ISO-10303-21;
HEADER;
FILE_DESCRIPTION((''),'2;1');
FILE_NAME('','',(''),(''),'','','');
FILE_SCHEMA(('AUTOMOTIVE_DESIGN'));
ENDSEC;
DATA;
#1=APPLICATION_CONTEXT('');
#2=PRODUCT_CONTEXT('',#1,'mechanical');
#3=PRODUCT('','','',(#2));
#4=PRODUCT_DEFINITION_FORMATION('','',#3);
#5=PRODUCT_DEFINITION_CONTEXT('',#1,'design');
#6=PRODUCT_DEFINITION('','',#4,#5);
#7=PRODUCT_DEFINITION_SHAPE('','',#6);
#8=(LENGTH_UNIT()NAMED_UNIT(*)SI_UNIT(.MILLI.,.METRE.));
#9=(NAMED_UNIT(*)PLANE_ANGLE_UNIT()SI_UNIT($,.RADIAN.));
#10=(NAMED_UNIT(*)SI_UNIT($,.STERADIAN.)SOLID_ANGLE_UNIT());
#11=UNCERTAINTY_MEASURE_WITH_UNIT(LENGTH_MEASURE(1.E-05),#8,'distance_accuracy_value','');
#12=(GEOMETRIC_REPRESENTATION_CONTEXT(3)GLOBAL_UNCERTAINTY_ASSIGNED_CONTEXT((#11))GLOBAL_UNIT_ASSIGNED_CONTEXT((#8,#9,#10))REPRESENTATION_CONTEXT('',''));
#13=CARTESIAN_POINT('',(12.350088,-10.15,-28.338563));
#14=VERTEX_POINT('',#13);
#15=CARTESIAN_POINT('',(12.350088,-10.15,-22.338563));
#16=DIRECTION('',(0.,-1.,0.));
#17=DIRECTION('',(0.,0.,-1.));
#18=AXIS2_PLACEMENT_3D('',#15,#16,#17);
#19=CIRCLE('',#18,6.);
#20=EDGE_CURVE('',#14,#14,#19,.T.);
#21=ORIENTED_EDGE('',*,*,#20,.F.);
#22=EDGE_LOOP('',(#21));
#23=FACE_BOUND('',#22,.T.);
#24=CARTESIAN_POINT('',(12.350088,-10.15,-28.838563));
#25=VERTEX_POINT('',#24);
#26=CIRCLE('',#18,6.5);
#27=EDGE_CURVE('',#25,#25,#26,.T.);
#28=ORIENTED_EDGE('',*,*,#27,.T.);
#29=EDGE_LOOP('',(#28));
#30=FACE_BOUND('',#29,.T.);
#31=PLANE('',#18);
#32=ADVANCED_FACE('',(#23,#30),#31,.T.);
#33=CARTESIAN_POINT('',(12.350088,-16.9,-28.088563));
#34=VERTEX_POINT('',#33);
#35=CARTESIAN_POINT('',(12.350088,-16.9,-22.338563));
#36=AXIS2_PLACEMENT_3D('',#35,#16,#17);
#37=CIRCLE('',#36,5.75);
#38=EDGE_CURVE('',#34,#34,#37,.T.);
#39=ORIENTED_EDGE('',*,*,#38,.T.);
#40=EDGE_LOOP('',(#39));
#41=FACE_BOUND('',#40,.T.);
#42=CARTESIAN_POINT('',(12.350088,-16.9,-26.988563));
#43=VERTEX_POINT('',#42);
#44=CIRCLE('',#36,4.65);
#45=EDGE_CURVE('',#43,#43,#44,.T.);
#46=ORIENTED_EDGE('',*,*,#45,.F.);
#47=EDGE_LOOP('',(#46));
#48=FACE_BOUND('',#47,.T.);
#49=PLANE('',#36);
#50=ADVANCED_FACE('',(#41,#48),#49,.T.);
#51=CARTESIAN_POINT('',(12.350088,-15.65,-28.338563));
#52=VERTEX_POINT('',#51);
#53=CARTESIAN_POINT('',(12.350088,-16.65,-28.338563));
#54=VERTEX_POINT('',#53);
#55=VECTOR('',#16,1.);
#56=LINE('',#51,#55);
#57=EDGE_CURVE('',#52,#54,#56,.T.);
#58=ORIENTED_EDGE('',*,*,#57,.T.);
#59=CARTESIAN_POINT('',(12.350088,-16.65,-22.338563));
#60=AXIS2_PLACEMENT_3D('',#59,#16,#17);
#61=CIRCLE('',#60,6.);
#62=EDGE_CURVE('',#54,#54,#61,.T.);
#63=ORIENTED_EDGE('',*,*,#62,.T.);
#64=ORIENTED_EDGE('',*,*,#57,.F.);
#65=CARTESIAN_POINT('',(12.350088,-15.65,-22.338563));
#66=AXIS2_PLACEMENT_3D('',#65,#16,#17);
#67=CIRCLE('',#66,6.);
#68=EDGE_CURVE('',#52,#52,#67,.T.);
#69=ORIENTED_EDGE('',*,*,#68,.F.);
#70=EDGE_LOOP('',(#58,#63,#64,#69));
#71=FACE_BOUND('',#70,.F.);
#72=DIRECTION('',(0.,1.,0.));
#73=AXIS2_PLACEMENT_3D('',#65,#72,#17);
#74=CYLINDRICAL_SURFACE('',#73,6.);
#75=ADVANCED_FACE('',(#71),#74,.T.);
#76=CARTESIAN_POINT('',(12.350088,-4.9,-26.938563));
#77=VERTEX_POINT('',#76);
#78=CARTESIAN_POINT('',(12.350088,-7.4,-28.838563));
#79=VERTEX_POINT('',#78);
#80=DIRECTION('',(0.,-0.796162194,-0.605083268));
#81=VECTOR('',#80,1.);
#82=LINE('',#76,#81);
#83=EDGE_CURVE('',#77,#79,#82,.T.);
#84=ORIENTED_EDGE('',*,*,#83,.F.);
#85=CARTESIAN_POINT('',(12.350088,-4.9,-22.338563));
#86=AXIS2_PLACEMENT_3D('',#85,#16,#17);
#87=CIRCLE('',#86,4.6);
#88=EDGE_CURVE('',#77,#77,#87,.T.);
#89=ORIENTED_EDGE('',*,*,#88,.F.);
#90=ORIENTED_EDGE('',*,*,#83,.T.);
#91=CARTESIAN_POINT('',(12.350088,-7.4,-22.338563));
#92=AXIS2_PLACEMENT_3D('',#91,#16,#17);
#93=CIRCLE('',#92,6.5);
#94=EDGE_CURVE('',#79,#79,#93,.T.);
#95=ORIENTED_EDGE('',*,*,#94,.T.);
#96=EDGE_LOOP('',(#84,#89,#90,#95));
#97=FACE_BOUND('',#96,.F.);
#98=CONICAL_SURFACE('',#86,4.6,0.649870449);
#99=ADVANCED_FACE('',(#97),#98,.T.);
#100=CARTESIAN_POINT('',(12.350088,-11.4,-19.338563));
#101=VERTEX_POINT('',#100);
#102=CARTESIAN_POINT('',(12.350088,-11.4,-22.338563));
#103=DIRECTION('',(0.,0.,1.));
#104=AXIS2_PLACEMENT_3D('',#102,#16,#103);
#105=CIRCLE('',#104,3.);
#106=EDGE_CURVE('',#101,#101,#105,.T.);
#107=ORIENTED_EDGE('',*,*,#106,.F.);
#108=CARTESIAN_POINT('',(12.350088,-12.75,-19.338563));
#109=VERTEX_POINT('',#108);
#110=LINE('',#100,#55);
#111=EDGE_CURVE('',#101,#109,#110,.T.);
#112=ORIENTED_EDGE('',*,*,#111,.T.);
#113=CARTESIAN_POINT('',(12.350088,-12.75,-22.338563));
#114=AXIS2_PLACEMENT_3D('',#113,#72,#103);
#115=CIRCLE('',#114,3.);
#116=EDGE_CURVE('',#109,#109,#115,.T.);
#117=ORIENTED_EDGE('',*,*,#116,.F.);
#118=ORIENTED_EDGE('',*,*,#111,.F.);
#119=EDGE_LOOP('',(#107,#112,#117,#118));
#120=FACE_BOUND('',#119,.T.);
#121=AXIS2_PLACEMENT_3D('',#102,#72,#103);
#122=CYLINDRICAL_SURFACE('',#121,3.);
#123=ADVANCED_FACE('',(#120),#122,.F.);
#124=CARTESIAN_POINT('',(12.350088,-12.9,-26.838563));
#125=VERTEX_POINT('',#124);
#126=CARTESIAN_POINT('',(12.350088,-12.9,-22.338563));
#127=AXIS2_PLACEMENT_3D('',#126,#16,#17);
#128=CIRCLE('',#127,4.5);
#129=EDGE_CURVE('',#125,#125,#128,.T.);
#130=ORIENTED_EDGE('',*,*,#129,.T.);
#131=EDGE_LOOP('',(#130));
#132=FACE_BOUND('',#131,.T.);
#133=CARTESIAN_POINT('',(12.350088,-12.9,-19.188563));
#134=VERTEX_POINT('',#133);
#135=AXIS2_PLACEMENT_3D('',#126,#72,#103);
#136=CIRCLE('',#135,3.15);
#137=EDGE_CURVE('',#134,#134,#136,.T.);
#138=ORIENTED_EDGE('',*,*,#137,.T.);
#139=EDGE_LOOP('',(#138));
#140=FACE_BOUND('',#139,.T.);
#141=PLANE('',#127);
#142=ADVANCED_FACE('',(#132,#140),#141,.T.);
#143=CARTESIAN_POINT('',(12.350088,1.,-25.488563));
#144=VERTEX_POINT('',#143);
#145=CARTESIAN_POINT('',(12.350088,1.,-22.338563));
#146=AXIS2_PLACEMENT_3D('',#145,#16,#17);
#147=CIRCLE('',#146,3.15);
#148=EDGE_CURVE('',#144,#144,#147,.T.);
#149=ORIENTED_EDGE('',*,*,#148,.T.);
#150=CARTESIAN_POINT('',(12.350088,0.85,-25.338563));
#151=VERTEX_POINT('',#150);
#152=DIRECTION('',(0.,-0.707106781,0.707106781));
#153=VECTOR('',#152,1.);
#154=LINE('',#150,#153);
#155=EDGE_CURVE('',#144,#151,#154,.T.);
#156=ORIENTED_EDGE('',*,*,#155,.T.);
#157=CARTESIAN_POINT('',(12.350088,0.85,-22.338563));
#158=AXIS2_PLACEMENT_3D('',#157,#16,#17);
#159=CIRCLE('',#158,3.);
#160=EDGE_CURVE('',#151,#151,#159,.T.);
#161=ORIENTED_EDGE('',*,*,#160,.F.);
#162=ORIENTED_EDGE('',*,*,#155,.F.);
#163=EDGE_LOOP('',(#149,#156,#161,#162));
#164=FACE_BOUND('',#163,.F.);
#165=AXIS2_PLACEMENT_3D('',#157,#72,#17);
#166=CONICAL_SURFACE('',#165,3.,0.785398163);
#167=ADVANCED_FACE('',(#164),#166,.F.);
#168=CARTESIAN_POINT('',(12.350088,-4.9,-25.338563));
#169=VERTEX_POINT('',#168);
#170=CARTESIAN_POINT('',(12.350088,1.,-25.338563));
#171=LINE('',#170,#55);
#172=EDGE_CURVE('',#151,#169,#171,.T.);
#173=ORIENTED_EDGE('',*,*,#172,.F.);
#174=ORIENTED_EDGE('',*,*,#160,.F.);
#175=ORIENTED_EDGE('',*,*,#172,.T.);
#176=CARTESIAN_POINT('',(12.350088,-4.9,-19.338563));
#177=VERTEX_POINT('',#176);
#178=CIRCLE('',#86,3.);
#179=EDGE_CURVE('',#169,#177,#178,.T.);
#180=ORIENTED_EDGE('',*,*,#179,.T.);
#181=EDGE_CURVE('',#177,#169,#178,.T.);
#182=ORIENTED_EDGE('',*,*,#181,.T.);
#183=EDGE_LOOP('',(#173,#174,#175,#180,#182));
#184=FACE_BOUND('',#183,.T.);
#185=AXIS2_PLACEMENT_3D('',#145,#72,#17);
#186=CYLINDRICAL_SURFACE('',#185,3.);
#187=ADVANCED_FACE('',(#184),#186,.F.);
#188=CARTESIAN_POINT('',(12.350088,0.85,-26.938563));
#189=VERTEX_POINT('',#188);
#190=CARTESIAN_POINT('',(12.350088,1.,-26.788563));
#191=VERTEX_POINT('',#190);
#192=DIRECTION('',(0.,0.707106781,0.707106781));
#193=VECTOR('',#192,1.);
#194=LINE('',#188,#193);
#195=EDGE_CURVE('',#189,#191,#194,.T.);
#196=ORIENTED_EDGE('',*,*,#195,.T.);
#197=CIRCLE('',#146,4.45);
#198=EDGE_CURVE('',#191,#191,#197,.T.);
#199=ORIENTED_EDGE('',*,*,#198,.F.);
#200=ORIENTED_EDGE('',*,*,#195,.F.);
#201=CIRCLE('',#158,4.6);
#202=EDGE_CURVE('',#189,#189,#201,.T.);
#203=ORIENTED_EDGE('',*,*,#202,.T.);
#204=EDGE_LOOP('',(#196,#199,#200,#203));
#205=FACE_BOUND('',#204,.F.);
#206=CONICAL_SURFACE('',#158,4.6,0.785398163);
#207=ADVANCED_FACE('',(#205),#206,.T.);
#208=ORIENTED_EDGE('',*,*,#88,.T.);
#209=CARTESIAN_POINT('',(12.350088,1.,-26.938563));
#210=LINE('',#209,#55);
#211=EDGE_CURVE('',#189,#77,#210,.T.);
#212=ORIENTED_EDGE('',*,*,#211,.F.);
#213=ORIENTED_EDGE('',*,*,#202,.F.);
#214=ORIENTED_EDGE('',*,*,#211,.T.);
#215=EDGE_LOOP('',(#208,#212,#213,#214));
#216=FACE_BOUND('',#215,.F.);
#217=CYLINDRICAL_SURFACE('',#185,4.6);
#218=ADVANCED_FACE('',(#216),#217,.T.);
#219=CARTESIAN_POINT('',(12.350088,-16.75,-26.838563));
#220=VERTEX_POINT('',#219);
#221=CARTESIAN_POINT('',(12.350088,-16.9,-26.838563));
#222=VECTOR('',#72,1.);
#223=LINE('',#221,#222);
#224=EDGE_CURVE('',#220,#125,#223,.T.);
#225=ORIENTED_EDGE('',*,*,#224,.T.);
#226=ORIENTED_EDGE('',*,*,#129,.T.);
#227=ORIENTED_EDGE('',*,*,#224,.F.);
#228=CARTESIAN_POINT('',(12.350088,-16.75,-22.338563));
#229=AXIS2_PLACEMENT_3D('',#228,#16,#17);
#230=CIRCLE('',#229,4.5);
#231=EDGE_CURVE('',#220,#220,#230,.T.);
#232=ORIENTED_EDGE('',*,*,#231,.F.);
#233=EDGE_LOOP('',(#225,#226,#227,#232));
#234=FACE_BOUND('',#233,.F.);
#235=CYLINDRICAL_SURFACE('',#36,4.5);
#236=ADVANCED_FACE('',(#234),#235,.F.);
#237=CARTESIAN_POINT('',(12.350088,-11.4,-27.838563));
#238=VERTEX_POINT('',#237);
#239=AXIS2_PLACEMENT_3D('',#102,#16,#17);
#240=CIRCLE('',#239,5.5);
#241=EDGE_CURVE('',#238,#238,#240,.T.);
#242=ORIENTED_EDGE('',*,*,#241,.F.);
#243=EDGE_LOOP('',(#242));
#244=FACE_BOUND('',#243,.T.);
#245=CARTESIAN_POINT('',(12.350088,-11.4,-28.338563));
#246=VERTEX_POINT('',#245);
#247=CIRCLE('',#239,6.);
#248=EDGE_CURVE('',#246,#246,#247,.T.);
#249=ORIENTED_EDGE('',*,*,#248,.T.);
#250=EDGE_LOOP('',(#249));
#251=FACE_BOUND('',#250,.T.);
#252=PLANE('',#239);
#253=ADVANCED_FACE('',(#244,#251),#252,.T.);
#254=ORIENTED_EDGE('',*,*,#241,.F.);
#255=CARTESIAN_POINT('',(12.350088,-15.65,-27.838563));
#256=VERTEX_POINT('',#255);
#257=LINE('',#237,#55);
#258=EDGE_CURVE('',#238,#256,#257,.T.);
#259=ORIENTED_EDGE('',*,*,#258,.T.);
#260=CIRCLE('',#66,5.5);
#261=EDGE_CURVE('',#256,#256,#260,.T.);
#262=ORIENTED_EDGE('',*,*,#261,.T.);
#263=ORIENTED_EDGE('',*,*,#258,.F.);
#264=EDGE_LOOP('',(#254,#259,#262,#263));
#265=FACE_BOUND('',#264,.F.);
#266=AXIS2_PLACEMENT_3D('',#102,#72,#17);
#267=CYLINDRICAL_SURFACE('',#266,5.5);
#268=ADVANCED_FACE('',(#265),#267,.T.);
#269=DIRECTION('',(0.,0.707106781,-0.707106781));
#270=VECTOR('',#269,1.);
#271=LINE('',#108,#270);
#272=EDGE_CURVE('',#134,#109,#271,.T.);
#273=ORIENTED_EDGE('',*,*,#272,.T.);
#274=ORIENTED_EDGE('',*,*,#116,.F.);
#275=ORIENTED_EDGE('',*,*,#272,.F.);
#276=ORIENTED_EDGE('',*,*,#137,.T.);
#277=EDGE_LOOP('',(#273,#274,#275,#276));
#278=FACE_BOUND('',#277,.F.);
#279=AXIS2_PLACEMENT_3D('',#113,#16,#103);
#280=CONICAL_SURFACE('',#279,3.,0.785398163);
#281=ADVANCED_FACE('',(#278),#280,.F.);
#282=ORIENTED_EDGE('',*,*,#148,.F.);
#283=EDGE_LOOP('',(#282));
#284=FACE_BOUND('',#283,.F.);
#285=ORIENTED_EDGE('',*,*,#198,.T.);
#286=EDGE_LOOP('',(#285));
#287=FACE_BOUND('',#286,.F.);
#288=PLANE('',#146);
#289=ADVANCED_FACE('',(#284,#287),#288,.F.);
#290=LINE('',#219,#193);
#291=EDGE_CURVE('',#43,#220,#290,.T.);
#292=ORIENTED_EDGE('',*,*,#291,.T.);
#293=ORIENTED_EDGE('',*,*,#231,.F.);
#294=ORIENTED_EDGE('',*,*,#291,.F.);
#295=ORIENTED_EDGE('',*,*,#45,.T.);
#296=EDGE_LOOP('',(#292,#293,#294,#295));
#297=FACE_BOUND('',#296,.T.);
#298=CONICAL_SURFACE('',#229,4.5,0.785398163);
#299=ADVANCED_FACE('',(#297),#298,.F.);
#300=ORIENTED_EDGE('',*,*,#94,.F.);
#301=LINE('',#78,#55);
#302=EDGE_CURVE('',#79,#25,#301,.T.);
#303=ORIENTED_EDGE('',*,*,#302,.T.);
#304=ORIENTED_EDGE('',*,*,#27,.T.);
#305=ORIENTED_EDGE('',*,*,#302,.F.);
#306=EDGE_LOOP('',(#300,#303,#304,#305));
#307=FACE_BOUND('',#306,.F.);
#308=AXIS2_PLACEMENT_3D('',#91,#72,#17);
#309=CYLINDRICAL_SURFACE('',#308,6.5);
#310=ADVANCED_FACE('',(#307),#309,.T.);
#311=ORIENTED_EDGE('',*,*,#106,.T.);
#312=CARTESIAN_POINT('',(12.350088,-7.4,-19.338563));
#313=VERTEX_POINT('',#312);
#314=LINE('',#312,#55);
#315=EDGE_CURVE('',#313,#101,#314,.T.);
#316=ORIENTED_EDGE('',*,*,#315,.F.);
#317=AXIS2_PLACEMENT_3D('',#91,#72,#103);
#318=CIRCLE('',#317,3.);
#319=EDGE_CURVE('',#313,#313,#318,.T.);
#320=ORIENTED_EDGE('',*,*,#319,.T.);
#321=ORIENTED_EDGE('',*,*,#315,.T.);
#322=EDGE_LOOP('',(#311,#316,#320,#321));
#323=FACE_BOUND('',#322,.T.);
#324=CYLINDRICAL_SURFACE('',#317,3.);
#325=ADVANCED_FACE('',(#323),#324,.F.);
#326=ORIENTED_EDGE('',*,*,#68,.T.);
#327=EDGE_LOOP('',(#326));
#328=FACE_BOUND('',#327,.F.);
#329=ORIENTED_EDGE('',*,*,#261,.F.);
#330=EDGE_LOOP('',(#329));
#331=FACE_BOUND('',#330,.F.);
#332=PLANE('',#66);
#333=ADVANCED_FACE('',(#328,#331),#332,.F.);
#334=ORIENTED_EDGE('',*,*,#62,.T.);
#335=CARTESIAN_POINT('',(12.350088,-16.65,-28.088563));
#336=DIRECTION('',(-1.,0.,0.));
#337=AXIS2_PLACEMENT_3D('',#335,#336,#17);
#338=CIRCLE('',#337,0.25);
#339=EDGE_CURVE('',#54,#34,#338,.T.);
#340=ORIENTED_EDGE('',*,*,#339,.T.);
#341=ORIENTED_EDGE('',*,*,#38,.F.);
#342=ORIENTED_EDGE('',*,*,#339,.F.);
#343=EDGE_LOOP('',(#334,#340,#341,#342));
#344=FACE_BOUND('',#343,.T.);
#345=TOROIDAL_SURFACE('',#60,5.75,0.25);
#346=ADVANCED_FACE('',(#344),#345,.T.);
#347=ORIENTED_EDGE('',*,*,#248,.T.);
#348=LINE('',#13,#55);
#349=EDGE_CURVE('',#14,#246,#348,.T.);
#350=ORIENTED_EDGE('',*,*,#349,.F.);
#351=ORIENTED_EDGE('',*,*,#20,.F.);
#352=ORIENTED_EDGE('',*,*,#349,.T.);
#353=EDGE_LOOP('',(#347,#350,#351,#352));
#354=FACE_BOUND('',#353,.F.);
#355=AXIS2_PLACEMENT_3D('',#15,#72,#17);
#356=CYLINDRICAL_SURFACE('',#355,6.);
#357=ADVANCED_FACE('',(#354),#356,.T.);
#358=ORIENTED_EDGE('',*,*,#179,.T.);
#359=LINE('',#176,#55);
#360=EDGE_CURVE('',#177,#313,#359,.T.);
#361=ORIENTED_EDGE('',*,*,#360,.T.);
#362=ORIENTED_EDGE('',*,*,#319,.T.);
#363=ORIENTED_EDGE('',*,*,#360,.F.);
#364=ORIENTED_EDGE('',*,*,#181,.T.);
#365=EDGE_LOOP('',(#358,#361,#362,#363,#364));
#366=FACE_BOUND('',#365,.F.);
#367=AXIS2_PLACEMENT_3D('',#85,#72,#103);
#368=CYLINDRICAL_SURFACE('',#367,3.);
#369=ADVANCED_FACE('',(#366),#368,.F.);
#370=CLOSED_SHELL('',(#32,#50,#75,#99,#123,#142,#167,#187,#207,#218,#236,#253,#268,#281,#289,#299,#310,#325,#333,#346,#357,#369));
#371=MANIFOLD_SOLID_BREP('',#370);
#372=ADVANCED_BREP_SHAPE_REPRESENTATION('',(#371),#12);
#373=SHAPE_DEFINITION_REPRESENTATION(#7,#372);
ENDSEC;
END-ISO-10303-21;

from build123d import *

# Parameters (mm, degrees)
SKETCH1_R           = 4.6
SKETCH1_R_2         = 3
BOSS_EXTRUDE1_DEPTH = 5.9
CHAMFER1_SIZE       = 0.15
CHAMFER2_SIZE       = 0.15
SKETCH2_R           = 4.6
BOSS_EXTRUDE2_DEPTH = 2.5
BOSS_EXTRUDE2_DRAFT = -37.234833982
SKETCH3_R           = 3
CUT_EXTRUDE1_DEPTH  = 2.5
SKETCH4_R           = 6.5
SKETCH4_R_2         = 3
BOSS_EXTRUDE3_DEPTH = 4
SKETCH5_R           = 5.5
SKETCH5_R_2         = 3
BOSS_EXTRUDE4_DEPTH = 5.5
CUT_EXTRUDE2_START  = -1.25
SKETCH6_R           = 6.5
SKETCH6_R_2         = 6
CUT_EXTRUDE2_DEPTH  = 1.25
BOSS_EXTRUDE5_START = -1.25
SKETCH7_R           = 6
SKETCH7_R_2         = 5.5
BOSS_EXTRUDE5_DEPTH = 1.25
FILLET1_R           = 0.25
SKETCH8_R           = 4.5
CUT_EXTRUDE3_DEPTH  = 4
CHAMFER4_SIZE       = 0.15
CHAMFER5_SIZE       = 0.15


with BuildPart() as part:
    # Sketch1 → Boss-Extrude1 (new body)
    with BuildSketch(Plane(origin=(0, 1, 0), x_dir=(-1, 0, 0), z_dir=(0, -1, 0))):
        with Locations(Location((-12.350088109, 22.338562584, 0), (0, 0, 90))):
            Circle(SKETCH1_R)
        with Locations(Location((-12.350088109, 22.338562584, 0), (0, 0, 90))):
            Circle(SKETCH1_R_2, mode=Mode.SUBTRACT)
    extrude(amount=BOSS_EXTRUDE1_DEPTH)

    # Chamfer1
    chamfer1_edges = [part.edges().sort_by_distance(p)[0] for p in [
        (12.350088109, 1, -17.738562584),
    ]]
    chamfer(chamfer1_edges, length=CHAMFER1_SIZE)

    # Chamfer2
    chamfer2_edges = [part.edges().sort_by_distance(p)[0] for p in [
        (12.350088109, 1, -19.338562584),
    ]]
    chamfer(chamfer2_edges, length=CHAMFER2_SIZE)


with BuildPart() as boss_extrude2_tool:
    # Sketch2 → Boss-Extrude2 (with draft: the straight prism first)
    with BuildSketch(Plane(origin=(0, -4.9, 0), x_dir=(-1, 0, 0), z_dir=(0, -1, 0))):
        with Locations(Location((-12.350088109, 22.338562584, 0), (0, 0, 90))):
            Circle(SKETCH2_R)
    extrude(amount=BOSS_EXTRUDE2_DEPTH)
    # Boss-Extrude2: the draft: its side faces are tilted about the plane it starts from
    boss_extrude2_sides = [boss_extrude2_tool.faces().sort_by_distance(p)[0] for p in [
        (12.350088109, -6.15, -17.738562584),
    ]]
    draft(boss_extrude2_sides, Plane(origin=(0, -4.9, 0), x_dir=(-1, 0, 0), z_dir=(0, -1, 0)), BOSS_EXTRUDE2_DRAFT)


with BuildPart() as part_1:
    add(part.part)

    # Boss-Extrude2: add boss_extrude2_tool
    add(boss_extrude2_tool.part)

    # Sketch3 → Cut-Extrude1 (cut)
    with BuildSketch(Plane(origin=(0, -4.9, 0), x_dir=(1, 0, 0), z_dir=(0, 1, 0))):
        with Locations(Location((12.350088109, 22.338562584, 0), (0, 0, 270))):
            Circle(SKETCH3_R)
    extrude(amount=-CUT_EXTRUDE1_DEPTH, mode=Mode.SUBTRACT)

    # Sketch4 → Boss-Extrude3 (add)
    with BuildSketch(Plane(origin=(0, -7.4, 0), x_dir=(-1, 0, 0), z_dir=(0, -1, 0))):
        with Locations(Location((-12.350088109, 22.338562584, 0), (0, 0, 90))):
            Circle(SKETCH4_R)
        with Locations(Location((-12.350088109, 22.338562584, 0), (0, 0, 270))):
            Circle(SKETCH4_R_2, mode=Mode.SUBTRACT)
    extrude(amount=BOSS_EXTRUDE3_DEPTH)

    # Sketch5 → Boss-Extrude4 (add)
    with BuildSketch(Plane.XZ.offset(11.4)):
        with Locations(Location((12.350088109, -22.338562584, 0), (0, 0, 270))):
            Circle(SKETCH5_R)
        with Locations(Location((12.350088109, -22.338562584, 0), (0, 0, 90))):
            Circle(SKETCH5_R_2, mode=Mode.SUBTRACT)
    extrude(amount=BOSS_EXTRUDE4_DEPTH)

    # Sketch6 → Cut-Extrude2 (cut)
    with BuildSketch(Plane.XZ.offset(11.4).offset(CUT_EXTRUDE2_START)):
        with Locations(Location((12.350088109, -22.338562584, 0), (0, 0, 270))):
            Circle(SKETCH6_R)
        with Locations(Location((12.350088109, -22.338562584, 0), (0, 0, 270))):
            Circle(SKETCH6_R_2, mode=Mode.SUBTRACT)
    extrude(amount=CUT_EXTRUDE2_DEPTH, mode=Mode.SUBTRACT)

    # Sketch7 → Boss-Extrude5 (add)
    with BuildSketch(Plane(origin=(0, -16.9, 0), x_dir=(-1, 0, 0), z_dir=(0, -1, 0)).offset(BOSS_EXTRUDE5_START)):
        with Locations(Location((-12.350088109, 22.338562584, 0), (0, 0, 90))):
            Circle(SKETCH7_R)
        with Locations(Location((-12.350088109, 22.338562584, 0), (0, 0, 90))):
            Circle(SKETCH7_R_2, mode=Mode.SUBTRACT)
    extrude(amount=BOSS_EXTRUDE5_DEPTH)

    # Fillet1
    fillet1_edges = [part_1.edges().sort_by_distance(p)[0] for p in [
        (12.350088109, -16.9, -16.338562584),
    ]]
    fillet(fillet1_edges, radius=FILLET1_R)

    # Sketch8 → Cut-Extrude3 (cut)
    with BuildSketch(Plane(origin=(0, -16.9, 0), x_dir=(-1, 0, 0), z_dir=(0, -1, 0))):
        with Locations(Location((-12.350088109, 22.338562584, 0), (0, 0, 90))):
            Circle(SKETCH8_R)
    extrude(amount=-CUT_EXTRUDE3_DEPTH, mode=Mode.SUBTRACT)

    # Chamfer4
    chamfer4_edges = [part_1.edges().sort_by_distance(p)[0] for p in [
        (12.350088109, -16.9, -17.838562584),
    ]]
    chamfer(chamfer4_edges, length=CHAMFER4_SIZE)

    # Chamfer5
    chamfer5_edges = [part_1.edges().sort_by_distance(p)[0] for p in [
        (12.350088109, -12.9, -25.338562584),
    ]]
    chamfer(chamfer5_edges, length=CHAMFER5_SIZE)


solid = part_1.part
